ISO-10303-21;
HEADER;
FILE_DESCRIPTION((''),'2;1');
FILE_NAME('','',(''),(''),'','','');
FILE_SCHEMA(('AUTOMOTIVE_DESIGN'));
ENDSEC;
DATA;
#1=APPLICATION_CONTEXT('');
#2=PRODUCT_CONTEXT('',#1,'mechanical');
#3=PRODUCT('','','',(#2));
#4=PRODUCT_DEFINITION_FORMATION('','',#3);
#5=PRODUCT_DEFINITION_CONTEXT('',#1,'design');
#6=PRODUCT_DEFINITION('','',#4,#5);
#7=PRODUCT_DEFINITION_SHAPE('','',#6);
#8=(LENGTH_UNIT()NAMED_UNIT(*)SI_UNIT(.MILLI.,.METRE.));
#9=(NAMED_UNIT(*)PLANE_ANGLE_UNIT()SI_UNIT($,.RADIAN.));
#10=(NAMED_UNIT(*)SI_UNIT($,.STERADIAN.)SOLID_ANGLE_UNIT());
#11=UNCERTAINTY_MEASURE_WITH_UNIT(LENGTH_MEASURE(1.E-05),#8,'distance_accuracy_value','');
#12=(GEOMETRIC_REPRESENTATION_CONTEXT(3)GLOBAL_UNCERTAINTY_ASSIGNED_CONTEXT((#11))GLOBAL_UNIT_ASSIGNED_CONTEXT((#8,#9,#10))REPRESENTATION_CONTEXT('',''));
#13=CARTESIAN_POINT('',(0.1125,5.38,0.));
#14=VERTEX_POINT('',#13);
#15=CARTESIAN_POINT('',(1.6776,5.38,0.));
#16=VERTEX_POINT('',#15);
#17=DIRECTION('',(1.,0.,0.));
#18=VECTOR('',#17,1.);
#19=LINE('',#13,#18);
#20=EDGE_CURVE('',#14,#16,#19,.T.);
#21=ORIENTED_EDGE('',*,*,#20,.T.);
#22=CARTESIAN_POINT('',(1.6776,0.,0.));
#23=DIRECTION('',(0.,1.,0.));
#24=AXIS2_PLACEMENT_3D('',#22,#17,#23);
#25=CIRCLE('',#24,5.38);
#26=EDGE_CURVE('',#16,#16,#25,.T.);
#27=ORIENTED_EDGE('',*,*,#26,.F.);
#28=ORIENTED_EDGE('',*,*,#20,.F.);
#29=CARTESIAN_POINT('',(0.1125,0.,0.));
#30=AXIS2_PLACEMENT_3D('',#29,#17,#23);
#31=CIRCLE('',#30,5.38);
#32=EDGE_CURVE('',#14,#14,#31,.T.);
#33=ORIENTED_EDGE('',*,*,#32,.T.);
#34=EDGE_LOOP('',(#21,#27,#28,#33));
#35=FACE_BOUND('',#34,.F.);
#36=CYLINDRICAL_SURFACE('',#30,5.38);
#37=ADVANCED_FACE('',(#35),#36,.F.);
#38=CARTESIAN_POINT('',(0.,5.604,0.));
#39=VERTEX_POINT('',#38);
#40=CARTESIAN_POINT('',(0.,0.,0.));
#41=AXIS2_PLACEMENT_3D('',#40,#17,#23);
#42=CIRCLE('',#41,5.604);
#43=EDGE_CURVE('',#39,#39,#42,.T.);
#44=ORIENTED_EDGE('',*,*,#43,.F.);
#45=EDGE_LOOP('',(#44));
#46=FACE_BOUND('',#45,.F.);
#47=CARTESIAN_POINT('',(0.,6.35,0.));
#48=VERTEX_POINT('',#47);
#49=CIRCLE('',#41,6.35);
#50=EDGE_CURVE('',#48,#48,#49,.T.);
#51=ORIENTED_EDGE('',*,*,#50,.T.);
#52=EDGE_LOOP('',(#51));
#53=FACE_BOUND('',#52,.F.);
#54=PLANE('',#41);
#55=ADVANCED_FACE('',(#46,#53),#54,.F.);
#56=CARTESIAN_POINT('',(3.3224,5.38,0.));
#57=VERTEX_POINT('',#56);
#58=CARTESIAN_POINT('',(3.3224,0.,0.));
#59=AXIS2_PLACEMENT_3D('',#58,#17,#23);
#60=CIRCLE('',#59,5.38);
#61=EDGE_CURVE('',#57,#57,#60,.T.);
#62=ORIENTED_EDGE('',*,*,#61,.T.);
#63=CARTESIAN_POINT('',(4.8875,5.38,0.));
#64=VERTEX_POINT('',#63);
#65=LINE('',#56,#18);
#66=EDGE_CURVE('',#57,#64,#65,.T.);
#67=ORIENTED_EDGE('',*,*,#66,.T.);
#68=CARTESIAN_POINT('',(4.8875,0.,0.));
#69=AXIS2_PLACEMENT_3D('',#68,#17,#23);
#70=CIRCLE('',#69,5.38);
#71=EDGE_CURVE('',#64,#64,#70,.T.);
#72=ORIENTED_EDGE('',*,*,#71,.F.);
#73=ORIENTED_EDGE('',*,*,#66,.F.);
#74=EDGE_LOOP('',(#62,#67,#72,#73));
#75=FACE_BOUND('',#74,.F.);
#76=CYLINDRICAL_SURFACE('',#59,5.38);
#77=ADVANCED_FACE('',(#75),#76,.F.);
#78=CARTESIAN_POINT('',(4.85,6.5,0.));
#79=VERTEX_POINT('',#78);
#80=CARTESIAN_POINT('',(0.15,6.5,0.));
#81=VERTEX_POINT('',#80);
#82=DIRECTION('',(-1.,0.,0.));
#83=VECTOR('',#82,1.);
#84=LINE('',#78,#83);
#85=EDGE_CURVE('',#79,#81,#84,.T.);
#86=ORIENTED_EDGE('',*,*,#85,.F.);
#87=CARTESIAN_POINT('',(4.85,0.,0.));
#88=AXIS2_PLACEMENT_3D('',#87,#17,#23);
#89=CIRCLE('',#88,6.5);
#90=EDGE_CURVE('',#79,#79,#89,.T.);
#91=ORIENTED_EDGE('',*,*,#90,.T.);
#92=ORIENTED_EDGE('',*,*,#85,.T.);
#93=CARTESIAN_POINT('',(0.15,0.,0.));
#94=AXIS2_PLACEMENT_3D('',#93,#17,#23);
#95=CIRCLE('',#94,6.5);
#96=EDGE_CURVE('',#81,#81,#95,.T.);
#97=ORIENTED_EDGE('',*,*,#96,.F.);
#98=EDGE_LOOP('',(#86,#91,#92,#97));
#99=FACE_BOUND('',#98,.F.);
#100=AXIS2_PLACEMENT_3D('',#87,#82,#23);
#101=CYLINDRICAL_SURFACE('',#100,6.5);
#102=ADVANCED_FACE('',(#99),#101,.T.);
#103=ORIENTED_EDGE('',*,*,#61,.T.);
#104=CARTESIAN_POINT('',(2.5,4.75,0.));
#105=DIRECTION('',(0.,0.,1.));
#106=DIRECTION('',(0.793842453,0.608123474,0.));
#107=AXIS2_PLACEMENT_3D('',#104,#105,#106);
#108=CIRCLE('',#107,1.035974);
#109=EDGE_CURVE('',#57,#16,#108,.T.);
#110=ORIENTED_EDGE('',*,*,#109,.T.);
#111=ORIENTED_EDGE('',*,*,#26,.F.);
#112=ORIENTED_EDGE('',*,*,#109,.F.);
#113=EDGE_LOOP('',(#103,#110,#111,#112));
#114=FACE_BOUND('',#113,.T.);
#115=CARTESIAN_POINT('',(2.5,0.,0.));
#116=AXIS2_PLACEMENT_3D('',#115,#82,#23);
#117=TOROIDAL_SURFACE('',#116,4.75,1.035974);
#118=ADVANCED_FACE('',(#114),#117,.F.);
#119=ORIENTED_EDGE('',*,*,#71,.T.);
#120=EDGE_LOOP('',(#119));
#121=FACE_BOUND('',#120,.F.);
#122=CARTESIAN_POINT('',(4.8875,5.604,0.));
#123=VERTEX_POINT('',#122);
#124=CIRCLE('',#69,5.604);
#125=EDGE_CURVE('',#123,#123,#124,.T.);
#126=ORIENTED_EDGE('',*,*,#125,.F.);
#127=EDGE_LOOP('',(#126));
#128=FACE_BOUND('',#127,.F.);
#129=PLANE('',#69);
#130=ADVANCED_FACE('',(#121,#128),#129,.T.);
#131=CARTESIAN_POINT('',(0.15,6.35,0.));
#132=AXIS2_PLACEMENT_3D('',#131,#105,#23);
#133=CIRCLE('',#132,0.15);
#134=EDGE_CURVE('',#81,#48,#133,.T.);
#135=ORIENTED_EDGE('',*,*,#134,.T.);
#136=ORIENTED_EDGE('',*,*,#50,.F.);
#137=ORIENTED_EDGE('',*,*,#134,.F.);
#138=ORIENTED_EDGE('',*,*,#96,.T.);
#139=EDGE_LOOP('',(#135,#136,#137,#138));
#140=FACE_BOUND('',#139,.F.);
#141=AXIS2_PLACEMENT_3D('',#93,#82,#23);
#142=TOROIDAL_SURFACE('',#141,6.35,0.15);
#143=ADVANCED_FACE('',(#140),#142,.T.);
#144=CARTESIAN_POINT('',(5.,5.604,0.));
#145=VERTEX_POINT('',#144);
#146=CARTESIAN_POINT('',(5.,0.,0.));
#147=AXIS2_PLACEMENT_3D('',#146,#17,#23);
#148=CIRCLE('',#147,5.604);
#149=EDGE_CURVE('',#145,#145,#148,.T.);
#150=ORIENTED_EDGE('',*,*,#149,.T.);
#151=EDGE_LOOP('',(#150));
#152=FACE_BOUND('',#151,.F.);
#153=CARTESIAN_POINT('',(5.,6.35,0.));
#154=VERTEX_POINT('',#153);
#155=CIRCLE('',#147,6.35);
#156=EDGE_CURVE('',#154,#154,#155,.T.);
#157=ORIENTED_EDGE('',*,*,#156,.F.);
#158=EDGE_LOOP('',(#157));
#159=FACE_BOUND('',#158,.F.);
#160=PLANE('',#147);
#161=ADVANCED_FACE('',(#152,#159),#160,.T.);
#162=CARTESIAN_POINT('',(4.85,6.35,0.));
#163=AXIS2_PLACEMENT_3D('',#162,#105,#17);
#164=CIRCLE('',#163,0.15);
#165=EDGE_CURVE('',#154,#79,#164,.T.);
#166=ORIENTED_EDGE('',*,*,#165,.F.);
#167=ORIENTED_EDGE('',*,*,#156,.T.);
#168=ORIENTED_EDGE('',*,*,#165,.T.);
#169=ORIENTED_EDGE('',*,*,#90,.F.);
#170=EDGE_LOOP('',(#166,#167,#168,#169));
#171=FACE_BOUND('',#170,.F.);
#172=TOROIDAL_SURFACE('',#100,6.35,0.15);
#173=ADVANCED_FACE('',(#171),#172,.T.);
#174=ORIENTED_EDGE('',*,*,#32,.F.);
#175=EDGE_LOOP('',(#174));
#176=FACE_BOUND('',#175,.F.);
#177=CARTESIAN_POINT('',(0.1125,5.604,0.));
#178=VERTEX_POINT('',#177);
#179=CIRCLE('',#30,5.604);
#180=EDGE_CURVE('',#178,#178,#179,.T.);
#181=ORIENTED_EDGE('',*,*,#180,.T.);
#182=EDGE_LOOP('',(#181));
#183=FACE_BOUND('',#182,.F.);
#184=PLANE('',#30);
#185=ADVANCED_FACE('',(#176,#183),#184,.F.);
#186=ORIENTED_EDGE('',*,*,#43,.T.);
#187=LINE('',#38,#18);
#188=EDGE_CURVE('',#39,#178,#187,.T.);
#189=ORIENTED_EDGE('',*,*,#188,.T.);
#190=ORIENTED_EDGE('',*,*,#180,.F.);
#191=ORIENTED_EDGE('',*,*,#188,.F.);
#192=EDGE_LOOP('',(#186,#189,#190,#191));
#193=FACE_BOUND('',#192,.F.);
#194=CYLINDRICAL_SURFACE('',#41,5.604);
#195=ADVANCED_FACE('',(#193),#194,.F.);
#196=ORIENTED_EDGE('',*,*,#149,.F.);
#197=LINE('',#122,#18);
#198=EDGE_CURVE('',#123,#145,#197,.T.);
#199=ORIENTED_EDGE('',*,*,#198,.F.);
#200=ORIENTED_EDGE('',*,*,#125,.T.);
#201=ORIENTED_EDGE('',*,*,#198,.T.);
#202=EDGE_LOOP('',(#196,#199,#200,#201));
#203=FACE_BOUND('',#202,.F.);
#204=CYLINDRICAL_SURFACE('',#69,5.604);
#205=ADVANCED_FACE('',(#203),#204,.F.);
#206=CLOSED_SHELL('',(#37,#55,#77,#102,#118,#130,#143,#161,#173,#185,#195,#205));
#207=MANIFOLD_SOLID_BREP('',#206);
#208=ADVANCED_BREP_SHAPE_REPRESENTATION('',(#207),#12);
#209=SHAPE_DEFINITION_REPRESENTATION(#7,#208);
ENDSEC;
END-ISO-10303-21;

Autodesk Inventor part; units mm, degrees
sketch "Sketch_3" plane through (0, 0, 0) normal (0, 0, 1) x (1, 0, 0)
  line L0 (5, 0) -> (0, 0)
  line L1 (0, 5.604) -> (0.1125, 5.604)
  line L2 (0.1125, 5.604) -> (0.1125, 5.38)
  line L3 (0.1125, 5.38) -> (1.6776, 5.38)
  arc A0 (3.3224, 5.38) -> (1.6776, 5.38) centre (2.5, 4.75) ccw
  line L4 (3.3224, 5.38) -> (4.8875, 5.38)
  line L5 (4.8875, 5.38) -> (4.8875, 5.604)
  line L6 (4.8875, 5.604) -> (5, 5.604)
  line L7 (5, 5.604) -> (5, 6.35)
  arc A1 (5, 6.35) -> (4.85, 6.5) centre (4.85, 6.35) ccw
  line L8 (4.85, 6.5) -> (0.15, 6.5)
  arc A2 (0.15, 6.5) -> (0, 6.35) centre (0.15, 6.35) ccw
  line L9 (0, 6.35) -> (0, 5.604)
revolve "Revolution1" add sketch "Sketch_3" angle 360 about axis through (5, 0, 0) along (1, 0, 0)
ref_plane "mss_or_XY" through (0, 0, 0) normal (1, 0, 0) x (0, 0, -1)
ref_plane "mss_or_YZ" through (0, 0, 0) normal (0, 0, -1) x (0, 1, 0)
ref_plane "mss_or_ZX" through (0, 0, 0) normal (0, 1, 0) x (1, 0, 0)
ref_plane "mss_or11_XY" through (5, 0, 0) normal (1, 0, 0) x (0, 0, -1)
ref_plane "mss_or11_YZ" through (5, 0, 0) normal (0, 0, -1) x (0, 1, 0)
ref_plane "mss_or11_ZX" through (5, 0, 0) normal (0, 1, 0) x (1, 0, 0)
ref_plane "mss_or2_1_XY" through (1.75, 4.75, 0) normal (1, 0, 0) x (0, 0, -1)
ref_plane "mss_or2_1_YZ" through (1.75, 4.75, 0) normal (0, 0, -1) x (0, 1, 0)
ref_plane "mss_or2_1_ZX" through (1.75, 4.75, 0) normal (0, 1, 0) x (1, 0, 0)
ref_plane "mss_or2_2_XY" through (1.75, 3.3588, 3.3588) normal (1, 0, 0) x (0, 0, -1)
ref_plane "mss_or2_2_YZ" through (1.75, 3.3588, 3.3588) normal (0, 0, -1) x (0, 1, 0)
ref_plane "mss_or2_2_ZX" through (1.75, 3.3588, 3.3588) normal (0, 1, 0) x (1, 0, 0)
ref_plane "mss_or2_3_XY" through (1.75, 0, 4.75) normal (1, 0, 0) x (0, 0, -1)
ref_plane "mss_or2_3_YZ" through (1.75, 0, 4.75) normal (0, 0, -1) x (0, 1, 0)
ref_plane "mss_or2_3_ZX" through (1.75, 0, 4.75) normal (0, 1, 0) x (1, 0, 0)
ref_plane "mss_or2_4_XY" through (1.75, -3.3588, 3.3588) normal (1, 0, 0) x (0, 0, -1)
ref_plane "mss_or2_4_YZ" through (1.75, -3.3588, 3.3588) normal (0, 0, -1) x (0, 1, 0)
ref_plane "mss_or2_4_ZX" through (1.75, -3.3588, 3.3588) normal (0, 1, 0) x (1, 0, 0)
ref_plane "mss_or2_5_XY" through (1.75, -4.75, 0) normal (1, 0, 0) x (0, 0, -1)
ref_plane "mss_or2_5_YZ" through (1.75, -4.75, 0) normal (0, 0, -1) x (0, 1, 0)
ref_plane "mss_or2_5_ZX" through (1.75, -4.75, 0) normal (0, 1, 0) x (1, 0, 0)
ref_plane "mss_or2_6_XY" through (1.75, -3.3588, -3.3588) normal (1, 0, 0) x (0, 0, -1)
ref_plane "mss_or2_6_YZ" through (1.75, -3.3588, -3.3588) normal (0, 0, -1) x (0, 1, 0)
ref_plane "mss_or2_6_ZX" through (1.75, -3.3588, -3.3588) normal (0, 1, 0) x (1, 0, 0)
ref_plane "mss_or2_7_XY" through (1.75, 0, -4.75) normal (1, 0, 0) x (0, 0, -1)
ref_plane "mss_or2_7_YZ" through (1.75, 0, -4.75) normal (0, 0, -1) x (0, 1, 0)
ref_plane "mss_or2_7_ZX" through (1.75, 0, -4.75) normal (0, 1, 0) x (1, 0, 0)
ref_plane "mss_or2_8_XY" through (1.75, 3.3588, -3.3588) normal (1, 0, 0) x (0, 0, -1)
ref_plane "mss_or2_8_YZ" through (1.75, 3.3588, -3.3588) normal (0, 0, -1) x (0, 1, 0)
ref_plane "mss_or2_8_ZX" through (1.75, 3.3588, -3.3588) normal (0, 1, 0) x (1, 0, 0)
ref_plane "mss_or21_1_XY" through (2.5, 4.75, 0) normal (1, 0, 0) x (0, 0, -1)
ref_plane "mss_or21_1_YZ" through (2.5, 4.75, 0) normal (0, 0, -1) x (0, 1, 0)
ref_plane "mss_or21_1_ZX" through (2.5, 4.75, 0) normal (0, 1, 0) x (1, 0, 0)
ref_plane "mss_or21_2_XY" through (2.5, 3.3588, 3.3588) normal (1, 0, 0) x (0, 0, -1)
ref_plane "mss_or21_2_YZ" through (2.5, 3.3588, 3.3588) normal (0, 0, -1) x (0, 1, 0)
ref_plane "mss_or21_2_ZX" through (2.5, 3.3588, 3.3588) normal (0, 1, 0) x (1, 0, 0)
ref_plane "mss_or21_3_XY" through (2.5, 0, 4.75) normal (1, 0, 0) x (0, 0, -1)
ref_plane "mss_or21_3_YZ" through (2.5, 0, 4.75) normal (0, 0, -1) x (0, 1, 0)
ref_plane "mss_or21_3_ZX" through (2.5, 0, 4.75) normal (0, 1, 0) x (1, 0, 0)
ref_plane "mss_or21_4_XY" through (2.5, -3.3588, 3.3588) normal (1, 0, 0) x (0, 0, -1)
ref_plane "mss_or21_4_YZ" through (2.5, -3.3588, 3.3588) normal (0, 0, -1) x (0, 1, 0)
ref_plane "mss_or21_4_ZX" through (2.5, -3.3588, 3.3588) normal (0, 1, 0) x (1, 0, 0)
ref_plane "mss_or21_5_XY" through (2.5, -4.75, 0) normal (1, 0, 0) x (0, 0, -1)
ref_plane "mss_or21_5_YZ" through (2.5, -4.75, 0) normal (0, 0, -1) x (0, 1, 0)
ref_plane "mss_or21_5_ZX" through (2.5, -4.75, 0) normal (0, 1, 0) x (1, 0, 0)
ref_plane "mss_or21_6_XY" through (2.5, -3.3588, -3.3588) normal (1, 0, 0) x (0, 0, -1)
ref_plane "mss_or21_6_YZ" through (2.5, -3.3588, -3.3588) normal (0, 0, -1) x (0, 1, 0)
ref_plane "mss_or21_6_ZX" through (2.5, -3.3588, -3.3588) normal (0, 1, 0) x (1, 0, 0)
ref_plane "mss_or21_7_XY" through (2.5, 0, -4.75) normal (1, 0, 0) x (0, 0, -1)
ref_plane "mss_or21_7_YZ" through (2.5, 0, -4.75) normal (0, 0, -1) x (0, 1, 0)
ref_plane "mss_or21_7_ZX" through (2.5, 0, -4.75) normal (0, 1, 0) x (1, 0, 0)
ref_plane "mss_or21_8_XY" through (2.5, 3.3588, -3.3588) normal (1, 0, 0) x (0, 0, -1)
ref_plane "mss_or21_8_YZ" through (2.5, 3.3588, -3.3588) normal (0, 0, -1) x (0, 1, 0)
ref_plane "mss_or21_8_ZX" through (2.5, 3.3588, -3.3588) normal (0, 1, 0) x (1, 0, 0)
properties part number "W686ZZ Outer ring"
